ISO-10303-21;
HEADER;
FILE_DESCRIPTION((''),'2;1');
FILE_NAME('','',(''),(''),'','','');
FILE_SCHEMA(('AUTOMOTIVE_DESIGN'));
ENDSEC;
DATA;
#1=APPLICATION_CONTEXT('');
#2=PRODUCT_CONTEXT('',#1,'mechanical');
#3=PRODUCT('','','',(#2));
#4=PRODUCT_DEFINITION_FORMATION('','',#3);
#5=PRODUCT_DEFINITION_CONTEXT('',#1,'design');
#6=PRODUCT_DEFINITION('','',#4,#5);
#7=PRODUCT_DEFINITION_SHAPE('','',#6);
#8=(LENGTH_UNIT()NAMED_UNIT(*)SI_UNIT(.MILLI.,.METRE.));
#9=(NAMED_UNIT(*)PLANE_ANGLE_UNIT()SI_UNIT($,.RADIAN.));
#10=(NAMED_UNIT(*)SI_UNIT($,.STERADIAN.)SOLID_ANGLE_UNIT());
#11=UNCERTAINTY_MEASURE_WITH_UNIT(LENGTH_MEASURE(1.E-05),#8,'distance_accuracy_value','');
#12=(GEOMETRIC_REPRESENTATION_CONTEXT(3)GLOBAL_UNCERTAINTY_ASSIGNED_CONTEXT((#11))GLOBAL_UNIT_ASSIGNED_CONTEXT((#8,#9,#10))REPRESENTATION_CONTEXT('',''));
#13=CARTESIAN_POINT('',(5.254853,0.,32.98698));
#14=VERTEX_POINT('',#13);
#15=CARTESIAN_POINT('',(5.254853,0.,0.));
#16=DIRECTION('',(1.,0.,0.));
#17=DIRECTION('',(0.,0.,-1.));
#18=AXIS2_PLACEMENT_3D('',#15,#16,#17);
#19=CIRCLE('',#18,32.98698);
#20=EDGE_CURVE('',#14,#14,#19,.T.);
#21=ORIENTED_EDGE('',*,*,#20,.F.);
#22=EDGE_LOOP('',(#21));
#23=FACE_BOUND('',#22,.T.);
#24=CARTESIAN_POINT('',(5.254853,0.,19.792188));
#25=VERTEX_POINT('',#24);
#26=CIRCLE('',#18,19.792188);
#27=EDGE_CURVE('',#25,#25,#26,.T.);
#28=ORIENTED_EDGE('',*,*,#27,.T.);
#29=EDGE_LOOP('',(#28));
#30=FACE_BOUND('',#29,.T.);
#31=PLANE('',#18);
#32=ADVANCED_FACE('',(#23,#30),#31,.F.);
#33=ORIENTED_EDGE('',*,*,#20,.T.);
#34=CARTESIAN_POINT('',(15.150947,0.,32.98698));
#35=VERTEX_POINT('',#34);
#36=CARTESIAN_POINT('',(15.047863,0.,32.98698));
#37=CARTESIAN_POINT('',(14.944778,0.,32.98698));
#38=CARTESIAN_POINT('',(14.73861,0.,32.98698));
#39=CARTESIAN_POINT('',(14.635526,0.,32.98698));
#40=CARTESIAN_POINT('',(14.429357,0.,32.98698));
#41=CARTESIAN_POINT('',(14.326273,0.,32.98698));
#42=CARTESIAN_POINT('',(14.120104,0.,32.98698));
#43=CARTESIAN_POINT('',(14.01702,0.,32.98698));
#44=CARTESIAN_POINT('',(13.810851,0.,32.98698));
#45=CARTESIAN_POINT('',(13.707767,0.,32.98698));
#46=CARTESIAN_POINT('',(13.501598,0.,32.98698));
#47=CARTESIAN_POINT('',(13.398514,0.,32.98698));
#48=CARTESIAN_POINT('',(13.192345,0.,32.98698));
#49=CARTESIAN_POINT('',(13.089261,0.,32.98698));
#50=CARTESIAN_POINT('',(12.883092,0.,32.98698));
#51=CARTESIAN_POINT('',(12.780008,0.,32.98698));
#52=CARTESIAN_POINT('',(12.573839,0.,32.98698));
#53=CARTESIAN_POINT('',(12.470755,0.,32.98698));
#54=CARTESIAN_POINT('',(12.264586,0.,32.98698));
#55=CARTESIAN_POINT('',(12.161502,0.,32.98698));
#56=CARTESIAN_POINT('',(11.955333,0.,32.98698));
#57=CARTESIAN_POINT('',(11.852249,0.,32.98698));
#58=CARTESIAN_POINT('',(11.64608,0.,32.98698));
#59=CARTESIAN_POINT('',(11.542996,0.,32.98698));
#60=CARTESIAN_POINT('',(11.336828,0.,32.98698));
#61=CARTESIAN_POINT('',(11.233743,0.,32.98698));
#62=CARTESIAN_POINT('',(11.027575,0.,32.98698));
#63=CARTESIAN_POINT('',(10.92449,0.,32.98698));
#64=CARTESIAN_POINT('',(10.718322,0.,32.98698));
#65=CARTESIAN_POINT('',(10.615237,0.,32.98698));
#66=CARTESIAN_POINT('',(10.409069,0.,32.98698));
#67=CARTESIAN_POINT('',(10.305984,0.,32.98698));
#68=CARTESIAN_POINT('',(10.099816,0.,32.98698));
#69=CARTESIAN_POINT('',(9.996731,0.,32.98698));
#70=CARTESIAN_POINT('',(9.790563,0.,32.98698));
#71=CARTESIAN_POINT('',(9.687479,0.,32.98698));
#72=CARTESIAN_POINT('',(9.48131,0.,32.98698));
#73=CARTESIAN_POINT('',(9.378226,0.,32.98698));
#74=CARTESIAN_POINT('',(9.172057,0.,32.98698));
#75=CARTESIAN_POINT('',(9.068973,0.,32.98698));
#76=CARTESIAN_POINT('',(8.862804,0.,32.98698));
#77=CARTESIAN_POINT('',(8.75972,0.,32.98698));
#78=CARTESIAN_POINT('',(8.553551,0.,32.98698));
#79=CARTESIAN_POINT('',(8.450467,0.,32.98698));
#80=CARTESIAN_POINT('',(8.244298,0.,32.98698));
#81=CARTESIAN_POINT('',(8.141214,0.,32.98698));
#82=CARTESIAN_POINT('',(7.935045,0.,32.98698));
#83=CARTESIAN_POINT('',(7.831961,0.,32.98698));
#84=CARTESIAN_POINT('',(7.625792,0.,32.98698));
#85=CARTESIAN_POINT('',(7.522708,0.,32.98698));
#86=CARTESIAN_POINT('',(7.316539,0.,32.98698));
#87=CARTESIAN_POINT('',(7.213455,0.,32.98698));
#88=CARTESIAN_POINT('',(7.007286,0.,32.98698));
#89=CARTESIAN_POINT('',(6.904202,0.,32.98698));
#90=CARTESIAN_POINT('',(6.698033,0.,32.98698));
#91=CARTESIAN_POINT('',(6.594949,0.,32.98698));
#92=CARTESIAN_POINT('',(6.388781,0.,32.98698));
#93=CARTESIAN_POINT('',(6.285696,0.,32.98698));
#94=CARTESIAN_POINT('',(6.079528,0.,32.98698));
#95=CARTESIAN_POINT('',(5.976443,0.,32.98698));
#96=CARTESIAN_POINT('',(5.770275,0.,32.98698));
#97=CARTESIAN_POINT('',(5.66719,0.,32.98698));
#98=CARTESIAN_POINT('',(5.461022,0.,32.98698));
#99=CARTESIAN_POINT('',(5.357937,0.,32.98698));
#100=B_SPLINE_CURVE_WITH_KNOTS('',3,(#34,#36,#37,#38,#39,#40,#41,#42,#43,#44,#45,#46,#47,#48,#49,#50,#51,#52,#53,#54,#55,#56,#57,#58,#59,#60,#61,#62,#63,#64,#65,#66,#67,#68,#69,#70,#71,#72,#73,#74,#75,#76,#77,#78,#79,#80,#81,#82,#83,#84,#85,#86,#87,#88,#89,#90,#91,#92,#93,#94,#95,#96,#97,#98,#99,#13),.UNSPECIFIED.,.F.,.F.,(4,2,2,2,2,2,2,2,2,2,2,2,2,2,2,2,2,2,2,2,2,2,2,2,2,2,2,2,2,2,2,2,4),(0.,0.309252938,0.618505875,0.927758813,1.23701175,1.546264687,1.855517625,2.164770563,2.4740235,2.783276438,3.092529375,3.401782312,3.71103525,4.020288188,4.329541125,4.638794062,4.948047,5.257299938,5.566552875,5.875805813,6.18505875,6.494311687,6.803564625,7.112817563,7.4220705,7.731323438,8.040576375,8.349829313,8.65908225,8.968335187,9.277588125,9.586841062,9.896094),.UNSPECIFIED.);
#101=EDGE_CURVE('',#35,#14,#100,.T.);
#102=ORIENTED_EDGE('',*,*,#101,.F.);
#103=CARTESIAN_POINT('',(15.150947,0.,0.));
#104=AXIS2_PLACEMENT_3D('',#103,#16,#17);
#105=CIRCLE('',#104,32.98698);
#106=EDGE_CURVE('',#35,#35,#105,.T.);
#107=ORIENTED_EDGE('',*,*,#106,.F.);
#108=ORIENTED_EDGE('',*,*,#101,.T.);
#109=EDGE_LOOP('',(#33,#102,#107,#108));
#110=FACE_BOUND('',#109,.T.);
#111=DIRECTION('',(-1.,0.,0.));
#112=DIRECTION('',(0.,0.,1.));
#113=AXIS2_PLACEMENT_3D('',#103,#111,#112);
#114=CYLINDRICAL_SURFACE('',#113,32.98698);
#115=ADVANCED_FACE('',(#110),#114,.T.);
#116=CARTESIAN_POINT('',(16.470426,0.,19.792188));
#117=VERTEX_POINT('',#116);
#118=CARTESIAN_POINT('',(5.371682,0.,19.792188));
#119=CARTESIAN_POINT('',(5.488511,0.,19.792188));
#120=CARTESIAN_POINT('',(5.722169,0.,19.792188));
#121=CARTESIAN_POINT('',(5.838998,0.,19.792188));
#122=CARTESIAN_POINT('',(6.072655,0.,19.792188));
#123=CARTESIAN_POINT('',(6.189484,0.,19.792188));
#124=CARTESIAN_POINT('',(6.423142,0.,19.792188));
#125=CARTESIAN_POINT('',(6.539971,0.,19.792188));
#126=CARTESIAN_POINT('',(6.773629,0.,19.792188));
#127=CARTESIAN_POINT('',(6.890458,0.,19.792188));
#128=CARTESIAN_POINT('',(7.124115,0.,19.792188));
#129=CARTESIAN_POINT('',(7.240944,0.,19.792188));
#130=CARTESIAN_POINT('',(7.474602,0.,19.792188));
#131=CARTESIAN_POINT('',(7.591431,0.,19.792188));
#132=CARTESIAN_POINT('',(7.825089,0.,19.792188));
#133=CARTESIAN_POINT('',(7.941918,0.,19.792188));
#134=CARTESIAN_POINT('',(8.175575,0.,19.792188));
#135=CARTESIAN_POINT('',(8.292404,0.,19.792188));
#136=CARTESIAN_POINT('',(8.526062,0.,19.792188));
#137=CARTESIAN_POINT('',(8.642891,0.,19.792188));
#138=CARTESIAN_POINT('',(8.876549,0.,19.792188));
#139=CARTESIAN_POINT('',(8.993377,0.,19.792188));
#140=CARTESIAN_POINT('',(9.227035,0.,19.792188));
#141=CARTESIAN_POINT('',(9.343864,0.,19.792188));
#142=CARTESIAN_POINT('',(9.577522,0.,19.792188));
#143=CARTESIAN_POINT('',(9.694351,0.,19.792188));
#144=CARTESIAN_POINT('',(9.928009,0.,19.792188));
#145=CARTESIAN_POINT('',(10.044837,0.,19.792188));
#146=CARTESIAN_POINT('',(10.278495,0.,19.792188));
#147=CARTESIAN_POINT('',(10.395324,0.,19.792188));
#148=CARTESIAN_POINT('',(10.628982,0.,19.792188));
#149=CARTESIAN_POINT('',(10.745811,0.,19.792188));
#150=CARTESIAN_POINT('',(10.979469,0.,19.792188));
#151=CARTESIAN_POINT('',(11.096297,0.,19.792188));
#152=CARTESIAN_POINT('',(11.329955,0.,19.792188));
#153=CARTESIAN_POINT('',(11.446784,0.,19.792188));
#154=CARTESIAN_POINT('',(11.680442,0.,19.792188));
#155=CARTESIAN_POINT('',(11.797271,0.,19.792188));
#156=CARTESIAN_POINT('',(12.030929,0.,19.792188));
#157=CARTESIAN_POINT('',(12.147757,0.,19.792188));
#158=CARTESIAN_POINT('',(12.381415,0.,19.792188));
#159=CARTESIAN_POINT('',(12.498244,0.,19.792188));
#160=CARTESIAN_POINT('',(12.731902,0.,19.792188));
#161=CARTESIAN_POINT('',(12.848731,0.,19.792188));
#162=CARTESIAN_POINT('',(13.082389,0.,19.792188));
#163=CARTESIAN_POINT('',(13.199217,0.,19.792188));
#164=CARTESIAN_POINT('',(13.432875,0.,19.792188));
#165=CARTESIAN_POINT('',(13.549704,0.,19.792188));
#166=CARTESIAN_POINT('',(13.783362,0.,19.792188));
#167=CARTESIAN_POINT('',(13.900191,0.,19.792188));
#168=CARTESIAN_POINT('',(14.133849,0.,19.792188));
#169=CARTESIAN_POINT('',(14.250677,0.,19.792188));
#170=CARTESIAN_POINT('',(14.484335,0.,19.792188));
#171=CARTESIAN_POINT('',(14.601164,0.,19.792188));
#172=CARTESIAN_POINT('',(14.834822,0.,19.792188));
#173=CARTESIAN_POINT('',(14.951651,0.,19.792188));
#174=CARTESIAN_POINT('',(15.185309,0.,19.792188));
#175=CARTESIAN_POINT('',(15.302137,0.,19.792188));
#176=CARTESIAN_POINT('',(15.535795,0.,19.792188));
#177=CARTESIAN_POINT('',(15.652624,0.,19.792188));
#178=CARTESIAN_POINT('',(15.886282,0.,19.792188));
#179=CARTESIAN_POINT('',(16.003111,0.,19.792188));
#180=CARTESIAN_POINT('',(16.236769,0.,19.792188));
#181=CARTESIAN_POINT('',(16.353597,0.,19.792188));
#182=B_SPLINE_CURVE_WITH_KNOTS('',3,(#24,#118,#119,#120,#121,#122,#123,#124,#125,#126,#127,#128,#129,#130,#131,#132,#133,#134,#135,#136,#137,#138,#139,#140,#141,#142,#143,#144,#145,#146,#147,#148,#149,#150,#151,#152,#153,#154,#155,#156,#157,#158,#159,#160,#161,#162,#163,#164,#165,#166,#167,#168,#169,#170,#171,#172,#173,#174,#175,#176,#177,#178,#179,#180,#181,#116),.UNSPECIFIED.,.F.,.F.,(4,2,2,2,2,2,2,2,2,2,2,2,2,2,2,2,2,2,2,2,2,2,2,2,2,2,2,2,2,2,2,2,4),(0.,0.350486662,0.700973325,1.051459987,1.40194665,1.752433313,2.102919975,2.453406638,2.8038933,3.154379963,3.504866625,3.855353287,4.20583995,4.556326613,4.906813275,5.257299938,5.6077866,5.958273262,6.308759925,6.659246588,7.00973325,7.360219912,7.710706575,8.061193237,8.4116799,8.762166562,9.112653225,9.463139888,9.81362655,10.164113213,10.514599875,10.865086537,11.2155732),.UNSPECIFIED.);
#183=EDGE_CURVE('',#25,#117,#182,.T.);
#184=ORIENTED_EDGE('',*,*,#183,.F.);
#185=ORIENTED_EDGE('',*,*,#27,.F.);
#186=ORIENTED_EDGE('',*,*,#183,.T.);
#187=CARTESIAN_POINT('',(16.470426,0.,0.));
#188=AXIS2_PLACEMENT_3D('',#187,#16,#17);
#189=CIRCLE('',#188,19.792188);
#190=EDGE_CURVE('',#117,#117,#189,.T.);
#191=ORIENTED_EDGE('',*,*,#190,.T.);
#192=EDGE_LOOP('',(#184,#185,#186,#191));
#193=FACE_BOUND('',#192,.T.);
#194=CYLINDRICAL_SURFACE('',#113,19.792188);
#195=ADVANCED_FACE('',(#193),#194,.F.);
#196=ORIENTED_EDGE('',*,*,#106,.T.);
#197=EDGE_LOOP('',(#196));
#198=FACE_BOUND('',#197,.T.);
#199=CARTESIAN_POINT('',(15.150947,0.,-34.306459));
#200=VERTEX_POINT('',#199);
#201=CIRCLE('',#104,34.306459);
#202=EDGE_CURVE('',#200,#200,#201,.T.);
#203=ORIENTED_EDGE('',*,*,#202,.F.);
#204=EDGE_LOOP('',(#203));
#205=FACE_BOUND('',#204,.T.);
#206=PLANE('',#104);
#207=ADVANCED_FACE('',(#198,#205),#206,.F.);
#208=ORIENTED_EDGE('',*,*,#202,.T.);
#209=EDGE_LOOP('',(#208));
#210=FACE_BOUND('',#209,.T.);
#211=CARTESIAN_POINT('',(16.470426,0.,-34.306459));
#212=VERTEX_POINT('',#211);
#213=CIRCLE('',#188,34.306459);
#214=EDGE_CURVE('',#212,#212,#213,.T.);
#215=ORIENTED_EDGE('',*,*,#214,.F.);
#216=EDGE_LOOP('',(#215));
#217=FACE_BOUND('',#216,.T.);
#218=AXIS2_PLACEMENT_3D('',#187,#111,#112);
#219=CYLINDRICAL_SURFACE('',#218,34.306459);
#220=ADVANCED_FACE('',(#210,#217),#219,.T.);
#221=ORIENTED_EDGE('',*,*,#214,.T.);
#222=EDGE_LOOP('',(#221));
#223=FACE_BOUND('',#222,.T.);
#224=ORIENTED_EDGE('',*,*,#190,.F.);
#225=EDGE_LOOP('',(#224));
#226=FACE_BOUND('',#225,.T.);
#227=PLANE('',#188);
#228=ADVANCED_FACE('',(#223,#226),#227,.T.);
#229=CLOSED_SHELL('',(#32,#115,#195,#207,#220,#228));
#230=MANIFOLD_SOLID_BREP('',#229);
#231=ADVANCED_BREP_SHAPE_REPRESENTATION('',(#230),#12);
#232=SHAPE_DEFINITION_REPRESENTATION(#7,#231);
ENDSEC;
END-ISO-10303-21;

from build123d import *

# Parameters (mm, degrees)
SKETCH1_R           = 63.5
SKETCH1_R_2         = 38.1
BOSS_EXTRUDE1_DEPTH = 19.05
SKETCH2_R           = 66.04
SKETCH2_R_2         = 38.1
BOSS_EXTRUDE2_DEPTH = 2.54
SCALE1_SCALE        = 0.51948


with BuildPart() as part:
    # Sketch1 → Boss-Extrude1 (new body)
    with BuildSketch(Plane(origin=(0, 0, 0), x_dir=(0, 0, -1), z_dir=(1, 0, 0))):
        with Locations(Location((0, 0, 0), (0, 0, 180))):
            Circle(SKETCH1_R)
        with Locations(Location((0, 0, 0), (0, 0, 180))):
            Circle(SKETCH1_R_2, mode=Mode.SUBTRACT)
    extrude(amount=BOSS_EXTRUDE1_DEPTH)

    # Sketch2 → Boss-Extrude2 (add)
    with BuildSketch(Plane(origin=(19.05, 0, 0), x_dir=(0, 0, -1), z_dir=(1, 0, 0))):
        Circle(SKETCH2_R)
        with Locations(Location((0, 0, 0), (0, 0, 180))):
            Circle(SKETCH2_R_2, mode=Mode.SUBTRACT)
    extrude(amount=BOSS_EXTRUDE2_DEPTH)


with BuildPart() as part_1:
    # Scale1: scaled about (10.935763547, 0, 0)
    add(part.part.scale(SCALE1_SCALE).moved(Location((5.2548531, 0, 0))))


solid = part_1.part
